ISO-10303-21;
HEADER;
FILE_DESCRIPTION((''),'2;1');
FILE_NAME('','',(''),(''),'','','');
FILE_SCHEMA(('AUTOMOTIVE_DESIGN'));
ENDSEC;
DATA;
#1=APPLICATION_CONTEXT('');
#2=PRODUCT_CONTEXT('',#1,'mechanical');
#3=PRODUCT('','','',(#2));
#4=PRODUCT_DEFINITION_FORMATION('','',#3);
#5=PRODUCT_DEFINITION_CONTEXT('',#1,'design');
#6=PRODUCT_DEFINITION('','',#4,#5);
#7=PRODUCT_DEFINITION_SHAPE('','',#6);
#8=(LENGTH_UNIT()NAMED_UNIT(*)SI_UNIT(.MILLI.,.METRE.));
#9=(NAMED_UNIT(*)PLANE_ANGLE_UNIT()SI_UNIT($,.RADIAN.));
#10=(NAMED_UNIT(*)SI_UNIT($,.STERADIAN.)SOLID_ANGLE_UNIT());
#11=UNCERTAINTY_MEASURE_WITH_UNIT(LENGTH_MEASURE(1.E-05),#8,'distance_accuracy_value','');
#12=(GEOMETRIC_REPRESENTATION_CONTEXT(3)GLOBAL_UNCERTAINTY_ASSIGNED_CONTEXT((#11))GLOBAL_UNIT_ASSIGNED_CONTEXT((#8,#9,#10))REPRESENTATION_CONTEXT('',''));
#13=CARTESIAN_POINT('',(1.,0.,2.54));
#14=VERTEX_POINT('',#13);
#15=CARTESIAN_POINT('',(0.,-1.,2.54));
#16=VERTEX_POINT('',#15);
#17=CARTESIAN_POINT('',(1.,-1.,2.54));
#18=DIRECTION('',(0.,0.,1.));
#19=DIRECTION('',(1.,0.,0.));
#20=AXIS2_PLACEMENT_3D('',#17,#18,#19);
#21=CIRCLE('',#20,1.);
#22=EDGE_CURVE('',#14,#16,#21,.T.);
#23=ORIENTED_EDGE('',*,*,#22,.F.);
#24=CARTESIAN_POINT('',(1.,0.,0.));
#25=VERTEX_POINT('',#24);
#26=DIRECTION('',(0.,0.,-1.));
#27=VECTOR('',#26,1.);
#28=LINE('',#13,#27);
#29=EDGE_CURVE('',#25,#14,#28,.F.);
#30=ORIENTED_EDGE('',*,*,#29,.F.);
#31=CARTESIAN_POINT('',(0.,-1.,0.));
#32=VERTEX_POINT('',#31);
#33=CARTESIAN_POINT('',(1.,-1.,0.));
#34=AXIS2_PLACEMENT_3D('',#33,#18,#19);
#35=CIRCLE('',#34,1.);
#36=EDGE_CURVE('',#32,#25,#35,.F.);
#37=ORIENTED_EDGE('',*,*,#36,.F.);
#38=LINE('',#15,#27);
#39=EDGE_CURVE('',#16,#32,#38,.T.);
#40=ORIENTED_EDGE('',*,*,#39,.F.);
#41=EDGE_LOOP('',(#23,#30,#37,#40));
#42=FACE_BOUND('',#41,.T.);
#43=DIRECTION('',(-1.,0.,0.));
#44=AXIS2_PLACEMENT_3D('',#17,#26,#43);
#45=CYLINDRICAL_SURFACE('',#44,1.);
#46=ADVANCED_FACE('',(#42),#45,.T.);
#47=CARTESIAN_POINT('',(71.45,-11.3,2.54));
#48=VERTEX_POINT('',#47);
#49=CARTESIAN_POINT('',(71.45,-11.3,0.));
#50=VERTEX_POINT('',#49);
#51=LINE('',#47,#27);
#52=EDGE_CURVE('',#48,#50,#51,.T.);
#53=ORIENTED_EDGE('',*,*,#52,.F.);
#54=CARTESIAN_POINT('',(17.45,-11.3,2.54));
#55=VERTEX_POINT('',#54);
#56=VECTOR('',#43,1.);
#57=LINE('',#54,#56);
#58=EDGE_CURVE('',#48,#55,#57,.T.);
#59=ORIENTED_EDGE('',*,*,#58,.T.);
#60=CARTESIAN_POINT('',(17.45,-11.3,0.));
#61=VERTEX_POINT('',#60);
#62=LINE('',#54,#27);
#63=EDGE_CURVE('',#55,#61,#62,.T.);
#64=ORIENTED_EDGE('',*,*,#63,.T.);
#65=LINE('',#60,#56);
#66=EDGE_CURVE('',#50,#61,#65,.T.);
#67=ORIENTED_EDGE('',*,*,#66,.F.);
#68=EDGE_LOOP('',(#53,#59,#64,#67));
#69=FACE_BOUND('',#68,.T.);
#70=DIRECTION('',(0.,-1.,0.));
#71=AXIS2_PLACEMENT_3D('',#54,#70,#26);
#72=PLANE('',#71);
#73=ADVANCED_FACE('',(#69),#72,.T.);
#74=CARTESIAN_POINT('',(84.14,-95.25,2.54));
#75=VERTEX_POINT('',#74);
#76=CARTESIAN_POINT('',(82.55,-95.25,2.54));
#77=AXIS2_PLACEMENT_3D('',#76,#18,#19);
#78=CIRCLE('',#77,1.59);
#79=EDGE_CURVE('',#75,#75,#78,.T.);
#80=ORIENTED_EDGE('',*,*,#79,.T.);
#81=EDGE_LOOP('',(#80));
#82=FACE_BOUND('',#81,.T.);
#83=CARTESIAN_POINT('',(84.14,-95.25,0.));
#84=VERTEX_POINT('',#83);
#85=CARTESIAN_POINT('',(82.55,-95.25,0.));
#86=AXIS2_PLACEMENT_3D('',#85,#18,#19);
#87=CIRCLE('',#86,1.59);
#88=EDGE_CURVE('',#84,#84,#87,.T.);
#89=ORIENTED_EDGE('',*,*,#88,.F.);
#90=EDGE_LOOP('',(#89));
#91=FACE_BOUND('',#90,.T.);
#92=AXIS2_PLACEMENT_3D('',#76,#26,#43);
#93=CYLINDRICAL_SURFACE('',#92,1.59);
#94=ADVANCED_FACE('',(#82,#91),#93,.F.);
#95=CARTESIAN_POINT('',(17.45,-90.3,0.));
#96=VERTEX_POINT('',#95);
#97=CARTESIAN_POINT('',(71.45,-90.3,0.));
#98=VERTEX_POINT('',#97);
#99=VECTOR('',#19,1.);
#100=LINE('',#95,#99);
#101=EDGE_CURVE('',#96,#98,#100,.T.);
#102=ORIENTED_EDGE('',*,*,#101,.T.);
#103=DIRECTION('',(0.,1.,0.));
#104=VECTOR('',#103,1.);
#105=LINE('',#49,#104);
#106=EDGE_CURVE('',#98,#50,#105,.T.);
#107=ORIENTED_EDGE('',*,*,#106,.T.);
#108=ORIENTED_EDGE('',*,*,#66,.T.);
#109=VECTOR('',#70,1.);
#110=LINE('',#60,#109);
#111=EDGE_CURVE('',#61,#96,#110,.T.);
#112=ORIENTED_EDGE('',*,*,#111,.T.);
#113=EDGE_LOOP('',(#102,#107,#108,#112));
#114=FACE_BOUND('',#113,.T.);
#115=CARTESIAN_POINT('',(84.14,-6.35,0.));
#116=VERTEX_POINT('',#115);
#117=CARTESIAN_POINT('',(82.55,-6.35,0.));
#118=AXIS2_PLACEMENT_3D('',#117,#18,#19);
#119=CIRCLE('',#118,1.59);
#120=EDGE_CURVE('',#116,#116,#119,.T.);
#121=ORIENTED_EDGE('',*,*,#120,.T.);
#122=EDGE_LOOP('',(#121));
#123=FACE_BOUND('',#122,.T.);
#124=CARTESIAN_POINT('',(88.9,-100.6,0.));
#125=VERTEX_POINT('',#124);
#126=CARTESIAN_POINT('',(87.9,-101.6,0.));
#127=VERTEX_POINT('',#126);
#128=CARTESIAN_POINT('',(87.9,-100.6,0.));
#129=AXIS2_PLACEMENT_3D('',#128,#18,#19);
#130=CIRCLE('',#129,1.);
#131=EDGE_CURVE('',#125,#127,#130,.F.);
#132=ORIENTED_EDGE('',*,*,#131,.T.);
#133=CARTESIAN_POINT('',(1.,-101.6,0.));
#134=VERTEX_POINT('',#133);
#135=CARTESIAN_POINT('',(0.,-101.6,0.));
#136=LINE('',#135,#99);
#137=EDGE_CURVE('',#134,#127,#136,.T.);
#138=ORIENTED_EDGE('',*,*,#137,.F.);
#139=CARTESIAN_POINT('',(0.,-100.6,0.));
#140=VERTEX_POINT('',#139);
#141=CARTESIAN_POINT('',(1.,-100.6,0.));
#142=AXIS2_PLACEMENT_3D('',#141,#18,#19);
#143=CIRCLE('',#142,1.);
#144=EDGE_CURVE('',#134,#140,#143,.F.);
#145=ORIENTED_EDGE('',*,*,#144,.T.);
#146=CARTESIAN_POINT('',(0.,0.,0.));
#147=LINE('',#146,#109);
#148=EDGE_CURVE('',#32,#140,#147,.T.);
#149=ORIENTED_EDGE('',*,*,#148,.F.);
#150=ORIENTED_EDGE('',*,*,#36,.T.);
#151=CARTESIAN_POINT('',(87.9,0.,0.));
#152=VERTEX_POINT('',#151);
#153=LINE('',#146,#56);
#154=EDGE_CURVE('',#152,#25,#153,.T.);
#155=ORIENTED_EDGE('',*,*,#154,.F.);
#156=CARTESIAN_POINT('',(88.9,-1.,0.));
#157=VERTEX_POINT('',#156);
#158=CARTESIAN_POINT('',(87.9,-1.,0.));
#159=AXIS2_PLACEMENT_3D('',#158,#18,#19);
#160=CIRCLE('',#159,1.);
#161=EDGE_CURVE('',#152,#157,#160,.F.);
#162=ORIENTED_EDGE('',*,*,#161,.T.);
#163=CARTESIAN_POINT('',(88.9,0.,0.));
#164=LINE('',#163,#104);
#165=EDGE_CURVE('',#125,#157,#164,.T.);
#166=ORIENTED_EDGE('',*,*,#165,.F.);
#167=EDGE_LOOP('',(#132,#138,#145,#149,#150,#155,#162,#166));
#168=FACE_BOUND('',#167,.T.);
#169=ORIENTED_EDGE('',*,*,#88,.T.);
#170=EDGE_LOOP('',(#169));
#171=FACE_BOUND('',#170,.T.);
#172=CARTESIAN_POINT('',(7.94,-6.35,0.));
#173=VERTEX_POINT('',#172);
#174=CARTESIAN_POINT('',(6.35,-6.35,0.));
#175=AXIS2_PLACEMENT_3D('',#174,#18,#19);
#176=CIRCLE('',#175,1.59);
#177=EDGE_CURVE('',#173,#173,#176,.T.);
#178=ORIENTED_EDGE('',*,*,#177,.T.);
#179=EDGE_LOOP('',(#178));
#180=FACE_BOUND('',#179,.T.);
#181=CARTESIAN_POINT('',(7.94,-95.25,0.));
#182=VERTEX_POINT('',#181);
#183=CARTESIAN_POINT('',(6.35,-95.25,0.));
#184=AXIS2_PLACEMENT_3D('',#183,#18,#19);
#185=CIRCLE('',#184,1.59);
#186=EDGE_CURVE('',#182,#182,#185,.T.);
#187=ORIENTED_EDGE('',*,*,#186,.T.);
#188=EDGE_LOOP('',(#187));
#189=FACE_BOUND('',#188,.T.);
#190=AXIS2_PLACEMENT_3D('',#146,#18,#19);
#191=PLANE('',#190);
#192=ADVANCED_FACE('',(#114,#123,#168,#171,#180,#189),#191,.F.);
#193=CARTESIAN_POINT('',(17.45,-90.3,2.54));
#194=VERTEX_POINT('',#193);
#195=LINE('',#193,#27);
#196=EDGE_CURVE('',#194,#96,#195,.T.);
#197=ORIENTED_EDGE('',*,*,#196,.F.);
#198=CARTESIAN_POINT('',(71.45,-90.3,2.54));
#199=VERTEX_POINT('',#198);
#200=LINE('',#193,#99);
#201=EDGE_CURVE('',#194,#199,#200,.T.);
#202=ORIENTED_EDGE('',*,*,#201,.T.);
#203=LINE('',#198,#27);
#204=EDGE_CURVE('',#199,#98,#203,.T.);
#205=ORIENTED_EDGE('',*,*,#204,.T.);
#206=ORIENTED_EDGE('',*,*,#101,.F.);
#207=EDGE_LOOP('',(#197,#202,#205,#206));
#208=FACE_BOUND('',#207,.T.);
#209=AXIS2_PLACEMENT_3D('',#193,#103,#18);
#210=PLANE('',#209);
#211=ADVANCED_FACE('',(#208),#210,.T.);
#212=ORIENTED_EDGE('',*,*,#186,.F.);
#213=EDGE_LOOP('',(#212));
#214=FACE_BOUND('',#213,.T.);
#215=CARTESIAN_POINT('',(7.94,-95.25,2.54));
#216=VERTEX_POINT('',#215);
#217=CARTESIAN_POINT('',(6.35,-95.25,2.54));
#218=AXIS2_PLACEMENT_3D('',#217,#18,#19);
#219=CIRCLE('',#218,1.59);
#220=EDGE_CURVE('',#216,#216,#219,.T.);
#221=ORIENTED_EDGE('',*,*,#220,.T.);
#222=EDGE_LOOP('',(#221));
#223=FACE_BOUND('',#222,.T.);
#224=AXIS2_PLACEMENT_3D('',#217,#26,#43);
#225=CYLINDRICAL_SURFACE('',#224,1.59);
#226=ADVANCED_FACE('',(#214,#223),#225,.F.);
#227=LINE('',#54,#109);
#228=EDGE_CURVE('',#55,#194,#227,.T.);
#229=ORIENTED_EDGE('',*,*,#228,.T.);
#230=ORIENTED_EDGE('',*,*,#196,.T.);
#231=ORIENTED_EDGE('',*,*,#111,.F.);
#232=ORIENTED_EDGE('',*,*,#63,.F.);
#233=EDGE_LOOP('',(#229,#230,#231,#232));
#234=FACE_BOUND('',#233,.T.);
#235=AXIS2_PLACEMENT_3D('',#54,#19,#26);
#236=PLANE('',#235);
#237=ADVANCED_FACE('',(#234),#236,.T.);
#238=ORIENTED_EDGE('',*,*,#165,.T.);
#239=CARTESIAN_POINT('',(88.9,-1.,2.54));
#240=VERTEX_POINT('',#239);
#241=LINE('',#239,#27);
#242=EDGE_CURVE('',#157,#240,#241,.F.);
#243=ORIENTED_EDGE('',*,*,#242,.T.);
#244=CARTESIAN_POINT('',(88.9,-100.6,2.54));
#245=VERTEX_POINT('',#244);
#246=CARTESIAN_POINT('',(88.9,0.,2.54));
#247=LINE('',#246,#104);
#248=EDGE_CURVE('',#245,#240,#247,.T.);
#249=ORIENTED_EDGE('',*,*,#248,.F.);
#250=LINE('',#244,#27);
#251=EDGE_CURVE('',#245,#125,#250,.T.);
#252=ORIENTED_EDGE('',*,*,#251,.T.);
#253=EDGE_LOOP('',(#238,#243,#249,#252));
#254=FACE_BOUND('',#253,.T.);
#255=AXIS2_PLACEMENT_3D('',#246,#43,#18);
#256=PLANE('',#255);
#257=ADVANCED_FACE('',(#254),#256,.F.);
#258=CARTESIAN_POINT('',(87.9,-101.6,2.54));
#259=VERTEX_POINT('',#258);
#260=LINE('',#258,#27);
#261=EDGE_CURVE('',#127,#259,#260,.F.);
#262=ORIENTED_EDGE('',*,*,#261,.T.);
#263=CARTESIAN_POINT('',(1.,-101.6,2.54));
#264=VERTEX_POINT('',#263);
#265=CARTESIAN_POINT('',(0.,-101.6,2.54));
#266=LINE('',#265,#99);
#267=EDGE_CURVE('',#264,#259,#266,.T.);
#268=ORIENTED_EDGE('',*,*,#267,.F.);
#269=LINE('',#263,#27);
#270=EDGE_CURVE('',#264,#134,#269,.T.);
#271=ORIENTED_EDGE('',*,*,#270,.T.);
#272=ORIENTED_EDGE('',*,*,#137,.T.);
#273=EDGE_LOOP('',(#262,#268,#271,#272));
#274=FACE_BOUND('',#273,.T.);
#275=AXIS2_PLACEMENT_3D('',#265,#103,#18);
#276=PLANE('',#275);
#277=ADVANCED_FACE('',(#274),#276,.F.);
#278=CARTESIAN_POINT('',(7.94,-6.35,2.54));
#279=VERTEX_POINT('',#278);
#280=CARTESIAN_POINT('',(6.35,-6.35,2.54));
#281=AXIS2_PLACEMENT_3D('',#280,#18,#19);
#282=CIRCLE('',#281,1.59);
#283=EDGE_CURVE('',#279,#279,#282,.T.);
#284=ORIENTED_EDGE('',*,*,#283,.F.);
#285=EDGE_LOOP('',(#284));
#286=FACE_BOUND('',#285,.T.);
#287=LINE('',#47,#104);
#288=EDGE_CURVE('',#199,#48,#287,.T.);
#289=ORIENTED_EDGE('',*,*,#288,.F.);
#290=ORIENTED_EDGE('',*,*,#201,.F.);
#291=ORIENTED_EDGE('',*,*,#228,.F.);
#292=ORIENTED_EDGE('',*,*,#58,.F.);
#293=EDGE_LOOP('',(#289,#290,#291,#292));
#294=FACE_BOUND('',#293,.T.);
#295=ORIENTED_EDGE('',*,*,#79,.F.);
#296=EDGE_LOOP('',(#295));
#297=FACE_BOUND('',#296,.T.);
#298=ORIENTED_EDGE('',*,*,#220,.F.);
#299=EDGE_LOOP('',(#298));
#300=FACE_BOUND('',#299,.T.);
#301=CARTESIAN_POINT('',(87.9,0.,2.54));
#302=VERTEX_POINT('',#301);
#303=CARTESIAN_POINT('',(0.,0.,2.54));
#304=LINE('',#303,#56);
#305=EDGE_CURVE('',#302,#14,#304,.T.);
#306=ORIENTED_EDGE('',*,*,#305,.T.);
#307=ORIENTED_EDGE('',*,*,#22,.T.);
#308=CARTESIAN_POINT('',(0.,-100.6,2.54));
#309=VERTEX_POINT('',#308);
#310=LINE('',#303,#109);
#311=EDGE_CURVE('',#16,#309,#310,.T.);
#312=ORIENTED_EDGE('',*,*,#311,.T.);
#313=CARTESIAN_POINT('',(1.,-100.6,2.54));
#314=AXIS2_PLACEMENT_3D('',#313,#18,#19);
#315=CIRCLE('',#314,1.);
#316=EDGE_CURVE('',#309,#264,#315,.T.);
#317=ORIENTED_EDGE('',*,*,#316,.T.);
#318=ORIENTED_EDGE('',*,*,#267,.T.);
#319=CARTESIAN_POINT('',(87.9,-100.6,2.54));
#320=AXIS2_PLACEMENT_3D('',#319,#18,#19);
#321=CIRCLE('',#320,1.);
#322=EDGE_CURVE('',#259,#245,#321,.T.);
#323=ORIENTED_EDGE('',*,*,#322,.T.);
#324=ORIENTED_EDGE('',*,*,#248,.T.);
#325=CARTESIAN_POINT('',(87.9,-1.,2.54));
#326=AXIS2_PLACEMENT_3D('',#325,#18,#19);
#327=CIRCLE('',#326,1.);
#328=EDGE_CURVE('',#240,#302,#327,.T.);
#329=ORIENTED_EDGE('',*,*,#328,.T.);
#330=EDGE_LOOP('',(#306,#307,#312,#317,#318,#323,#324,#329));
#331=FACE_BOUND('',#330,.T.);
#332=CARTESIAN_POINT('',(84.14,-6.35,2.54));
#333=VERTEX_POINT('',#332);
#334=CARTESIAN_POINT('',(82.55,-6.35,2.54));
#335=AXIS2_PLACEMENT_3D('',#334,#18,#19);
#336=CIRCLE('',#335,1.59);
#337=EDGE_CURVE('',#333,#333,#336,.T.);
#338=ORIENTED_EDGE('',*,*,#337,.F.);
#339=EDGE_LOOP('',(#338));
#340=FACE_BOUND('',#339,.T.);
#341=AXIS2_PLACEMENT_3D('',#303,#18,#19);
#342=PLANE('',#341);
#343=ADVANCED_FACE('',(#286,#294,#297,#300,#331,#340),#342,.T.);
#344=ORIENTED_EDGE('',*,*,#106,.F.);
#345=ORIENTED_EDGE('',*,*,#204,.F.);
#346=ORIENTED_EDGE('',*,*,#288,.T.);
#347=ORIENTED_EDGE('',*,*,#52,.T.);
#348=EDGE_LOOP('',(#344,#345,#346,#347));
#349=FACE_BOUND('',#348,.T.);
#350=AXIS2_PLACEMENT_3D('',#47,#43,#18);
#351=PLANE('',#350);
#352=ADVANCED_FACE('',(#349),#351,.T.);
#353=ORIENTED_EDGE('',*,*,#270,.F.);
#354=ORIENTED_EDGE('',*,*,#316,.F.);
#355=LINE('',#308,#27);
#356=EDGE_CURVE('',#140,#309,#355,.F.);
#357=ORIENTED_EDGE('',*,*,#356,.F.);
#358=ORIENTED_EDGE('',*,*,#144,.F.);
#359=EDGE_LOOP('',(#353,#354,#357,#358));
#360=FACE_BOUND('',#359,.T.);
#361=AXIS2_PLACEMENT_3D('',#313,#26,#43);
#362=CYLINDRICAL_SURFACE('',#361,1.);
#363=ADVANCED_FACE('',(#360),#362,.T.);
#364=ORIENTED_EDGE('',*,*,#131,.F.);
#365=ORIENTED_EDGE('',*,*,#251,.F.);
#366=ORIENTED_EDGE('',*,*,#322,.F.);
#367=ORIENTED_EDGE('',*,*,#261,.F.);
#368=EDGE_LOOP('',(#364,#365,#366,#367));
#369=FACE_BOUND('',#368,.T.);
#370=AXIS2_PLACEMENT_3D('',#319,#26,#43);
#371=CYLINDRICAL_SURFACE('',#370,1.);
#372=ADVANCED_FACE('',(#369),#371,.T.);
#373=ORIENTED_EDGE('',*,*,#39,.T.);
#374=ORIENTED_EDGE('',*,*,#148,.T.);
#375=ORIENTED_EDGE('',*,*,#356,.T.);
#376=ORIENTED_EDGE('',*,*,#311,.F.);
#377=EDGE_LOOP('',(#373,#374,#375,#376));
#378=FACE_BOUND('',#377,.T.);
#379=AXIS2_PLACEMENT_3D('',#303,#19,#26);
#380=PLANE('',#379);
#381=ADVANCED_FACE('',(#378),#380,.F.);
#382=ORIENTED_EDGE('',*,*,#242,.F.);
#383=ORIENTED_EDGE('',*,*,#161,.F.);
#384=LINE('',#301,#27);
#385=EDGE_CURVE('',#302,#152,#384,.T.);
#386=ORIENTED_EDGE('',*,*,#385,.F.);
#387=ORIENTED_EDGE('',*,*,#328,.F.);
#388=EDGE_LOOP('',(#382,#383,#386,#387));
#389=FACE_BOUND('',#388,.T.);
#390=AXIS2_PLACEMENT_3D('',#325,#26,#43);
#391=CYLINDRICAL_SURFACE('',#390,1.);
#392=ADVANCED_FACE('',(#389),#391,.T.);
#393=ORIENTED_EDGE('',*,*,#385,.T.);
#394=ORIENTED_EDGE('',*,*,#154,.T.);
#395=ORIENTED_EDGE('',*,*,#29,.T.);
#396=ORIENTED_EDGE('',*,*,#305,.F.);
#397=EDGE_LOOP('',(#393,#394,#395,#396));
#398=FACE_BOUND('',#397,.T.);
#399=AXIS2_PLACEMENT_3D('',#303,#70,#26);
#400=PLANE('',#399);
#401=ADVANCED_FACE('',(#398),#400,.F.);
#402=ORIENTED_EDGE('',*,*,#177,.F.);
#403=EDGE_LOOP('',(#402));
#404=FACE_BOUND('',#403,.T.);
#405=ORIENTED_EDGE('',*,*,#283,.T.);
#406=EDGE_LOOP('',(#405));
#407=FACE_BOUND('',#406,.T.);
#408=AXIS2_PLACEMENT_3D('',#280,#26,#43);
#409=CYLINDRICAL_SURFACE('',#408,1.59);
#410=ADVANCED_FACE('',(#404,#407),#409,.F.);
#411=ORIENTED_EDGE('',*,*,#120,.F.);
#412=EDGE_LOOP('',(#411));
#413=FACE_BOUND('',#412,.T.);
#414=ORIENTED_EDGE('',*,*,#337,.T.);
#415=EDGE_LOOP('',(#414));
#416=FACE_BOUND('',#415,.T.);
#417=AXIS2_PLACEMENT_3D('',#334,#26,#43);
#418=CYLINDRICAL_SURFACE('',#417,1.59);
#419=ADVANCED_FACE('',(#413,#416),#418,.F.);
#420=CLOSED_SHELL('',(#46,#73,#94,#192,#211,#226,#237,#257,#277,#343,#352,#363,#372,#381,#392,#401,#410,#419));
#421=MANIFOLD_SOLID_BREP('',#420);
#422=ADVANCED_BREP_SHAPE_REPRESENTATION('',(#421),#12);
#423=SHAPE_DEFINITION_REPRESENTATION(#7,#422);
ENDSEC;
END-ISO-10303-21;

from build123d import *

# Parameters (mm, degrees)
SKETCH1_W           = 88.9
SKETCH1_H           = 101.6
SKETCH1_R           = 1.59
SKETCH1_W_2         = 54
SKETCH1_H_2         = 79
BOSS_EXTRUDE1_DEPTH = 2.54
FILLET1_R           = 1


with BuildPart() as part:
    # Sketch1 → Boss-Extrude1 (new body)
    with BuildSketch(Plane.XY):
        with Locations((44.45, -50.8)):
            Rectangle(SKETCH1_W, SKETCH1_H)
        with Locations((6.35, -6.35)):
            Circle(SKETCH1_R, mode=Mode.SUBTRACT)
        with Locations((82.55, -6.35)):
            Circle(SKETCH1_R, mode=Mode.SUBTRACT)
        with Locations((82.55, -95.25)):
            Circle(SKETCH1_R, mode=Mode.SUBTRACT)
        with Locations((6.35, -95.25)):
            Circle(SKETCH1_R, mode=Mode.SUBTRACT)
        with Locations((44.45, -50.8)):
            Rectangle(SKETCH1_W_2, SKETCH1_H_2, mode=Mode.SUBTRACT)
    extrude(amount=BOSS_EXTRUDE1_DEPTH)

    # Fillet1
    fillet1_edges = [part.edges().sort_by_distance(p)[0] for p in [
        (0, 0, 1.27),
        (88.9, 0, 1.27),
        (88.9, -101.6, 1.27),
        (0, -101.6, 1.27),
    ]]
    fillet(fillet1_edges, radius=FILLET1_R)


solid = part.part
